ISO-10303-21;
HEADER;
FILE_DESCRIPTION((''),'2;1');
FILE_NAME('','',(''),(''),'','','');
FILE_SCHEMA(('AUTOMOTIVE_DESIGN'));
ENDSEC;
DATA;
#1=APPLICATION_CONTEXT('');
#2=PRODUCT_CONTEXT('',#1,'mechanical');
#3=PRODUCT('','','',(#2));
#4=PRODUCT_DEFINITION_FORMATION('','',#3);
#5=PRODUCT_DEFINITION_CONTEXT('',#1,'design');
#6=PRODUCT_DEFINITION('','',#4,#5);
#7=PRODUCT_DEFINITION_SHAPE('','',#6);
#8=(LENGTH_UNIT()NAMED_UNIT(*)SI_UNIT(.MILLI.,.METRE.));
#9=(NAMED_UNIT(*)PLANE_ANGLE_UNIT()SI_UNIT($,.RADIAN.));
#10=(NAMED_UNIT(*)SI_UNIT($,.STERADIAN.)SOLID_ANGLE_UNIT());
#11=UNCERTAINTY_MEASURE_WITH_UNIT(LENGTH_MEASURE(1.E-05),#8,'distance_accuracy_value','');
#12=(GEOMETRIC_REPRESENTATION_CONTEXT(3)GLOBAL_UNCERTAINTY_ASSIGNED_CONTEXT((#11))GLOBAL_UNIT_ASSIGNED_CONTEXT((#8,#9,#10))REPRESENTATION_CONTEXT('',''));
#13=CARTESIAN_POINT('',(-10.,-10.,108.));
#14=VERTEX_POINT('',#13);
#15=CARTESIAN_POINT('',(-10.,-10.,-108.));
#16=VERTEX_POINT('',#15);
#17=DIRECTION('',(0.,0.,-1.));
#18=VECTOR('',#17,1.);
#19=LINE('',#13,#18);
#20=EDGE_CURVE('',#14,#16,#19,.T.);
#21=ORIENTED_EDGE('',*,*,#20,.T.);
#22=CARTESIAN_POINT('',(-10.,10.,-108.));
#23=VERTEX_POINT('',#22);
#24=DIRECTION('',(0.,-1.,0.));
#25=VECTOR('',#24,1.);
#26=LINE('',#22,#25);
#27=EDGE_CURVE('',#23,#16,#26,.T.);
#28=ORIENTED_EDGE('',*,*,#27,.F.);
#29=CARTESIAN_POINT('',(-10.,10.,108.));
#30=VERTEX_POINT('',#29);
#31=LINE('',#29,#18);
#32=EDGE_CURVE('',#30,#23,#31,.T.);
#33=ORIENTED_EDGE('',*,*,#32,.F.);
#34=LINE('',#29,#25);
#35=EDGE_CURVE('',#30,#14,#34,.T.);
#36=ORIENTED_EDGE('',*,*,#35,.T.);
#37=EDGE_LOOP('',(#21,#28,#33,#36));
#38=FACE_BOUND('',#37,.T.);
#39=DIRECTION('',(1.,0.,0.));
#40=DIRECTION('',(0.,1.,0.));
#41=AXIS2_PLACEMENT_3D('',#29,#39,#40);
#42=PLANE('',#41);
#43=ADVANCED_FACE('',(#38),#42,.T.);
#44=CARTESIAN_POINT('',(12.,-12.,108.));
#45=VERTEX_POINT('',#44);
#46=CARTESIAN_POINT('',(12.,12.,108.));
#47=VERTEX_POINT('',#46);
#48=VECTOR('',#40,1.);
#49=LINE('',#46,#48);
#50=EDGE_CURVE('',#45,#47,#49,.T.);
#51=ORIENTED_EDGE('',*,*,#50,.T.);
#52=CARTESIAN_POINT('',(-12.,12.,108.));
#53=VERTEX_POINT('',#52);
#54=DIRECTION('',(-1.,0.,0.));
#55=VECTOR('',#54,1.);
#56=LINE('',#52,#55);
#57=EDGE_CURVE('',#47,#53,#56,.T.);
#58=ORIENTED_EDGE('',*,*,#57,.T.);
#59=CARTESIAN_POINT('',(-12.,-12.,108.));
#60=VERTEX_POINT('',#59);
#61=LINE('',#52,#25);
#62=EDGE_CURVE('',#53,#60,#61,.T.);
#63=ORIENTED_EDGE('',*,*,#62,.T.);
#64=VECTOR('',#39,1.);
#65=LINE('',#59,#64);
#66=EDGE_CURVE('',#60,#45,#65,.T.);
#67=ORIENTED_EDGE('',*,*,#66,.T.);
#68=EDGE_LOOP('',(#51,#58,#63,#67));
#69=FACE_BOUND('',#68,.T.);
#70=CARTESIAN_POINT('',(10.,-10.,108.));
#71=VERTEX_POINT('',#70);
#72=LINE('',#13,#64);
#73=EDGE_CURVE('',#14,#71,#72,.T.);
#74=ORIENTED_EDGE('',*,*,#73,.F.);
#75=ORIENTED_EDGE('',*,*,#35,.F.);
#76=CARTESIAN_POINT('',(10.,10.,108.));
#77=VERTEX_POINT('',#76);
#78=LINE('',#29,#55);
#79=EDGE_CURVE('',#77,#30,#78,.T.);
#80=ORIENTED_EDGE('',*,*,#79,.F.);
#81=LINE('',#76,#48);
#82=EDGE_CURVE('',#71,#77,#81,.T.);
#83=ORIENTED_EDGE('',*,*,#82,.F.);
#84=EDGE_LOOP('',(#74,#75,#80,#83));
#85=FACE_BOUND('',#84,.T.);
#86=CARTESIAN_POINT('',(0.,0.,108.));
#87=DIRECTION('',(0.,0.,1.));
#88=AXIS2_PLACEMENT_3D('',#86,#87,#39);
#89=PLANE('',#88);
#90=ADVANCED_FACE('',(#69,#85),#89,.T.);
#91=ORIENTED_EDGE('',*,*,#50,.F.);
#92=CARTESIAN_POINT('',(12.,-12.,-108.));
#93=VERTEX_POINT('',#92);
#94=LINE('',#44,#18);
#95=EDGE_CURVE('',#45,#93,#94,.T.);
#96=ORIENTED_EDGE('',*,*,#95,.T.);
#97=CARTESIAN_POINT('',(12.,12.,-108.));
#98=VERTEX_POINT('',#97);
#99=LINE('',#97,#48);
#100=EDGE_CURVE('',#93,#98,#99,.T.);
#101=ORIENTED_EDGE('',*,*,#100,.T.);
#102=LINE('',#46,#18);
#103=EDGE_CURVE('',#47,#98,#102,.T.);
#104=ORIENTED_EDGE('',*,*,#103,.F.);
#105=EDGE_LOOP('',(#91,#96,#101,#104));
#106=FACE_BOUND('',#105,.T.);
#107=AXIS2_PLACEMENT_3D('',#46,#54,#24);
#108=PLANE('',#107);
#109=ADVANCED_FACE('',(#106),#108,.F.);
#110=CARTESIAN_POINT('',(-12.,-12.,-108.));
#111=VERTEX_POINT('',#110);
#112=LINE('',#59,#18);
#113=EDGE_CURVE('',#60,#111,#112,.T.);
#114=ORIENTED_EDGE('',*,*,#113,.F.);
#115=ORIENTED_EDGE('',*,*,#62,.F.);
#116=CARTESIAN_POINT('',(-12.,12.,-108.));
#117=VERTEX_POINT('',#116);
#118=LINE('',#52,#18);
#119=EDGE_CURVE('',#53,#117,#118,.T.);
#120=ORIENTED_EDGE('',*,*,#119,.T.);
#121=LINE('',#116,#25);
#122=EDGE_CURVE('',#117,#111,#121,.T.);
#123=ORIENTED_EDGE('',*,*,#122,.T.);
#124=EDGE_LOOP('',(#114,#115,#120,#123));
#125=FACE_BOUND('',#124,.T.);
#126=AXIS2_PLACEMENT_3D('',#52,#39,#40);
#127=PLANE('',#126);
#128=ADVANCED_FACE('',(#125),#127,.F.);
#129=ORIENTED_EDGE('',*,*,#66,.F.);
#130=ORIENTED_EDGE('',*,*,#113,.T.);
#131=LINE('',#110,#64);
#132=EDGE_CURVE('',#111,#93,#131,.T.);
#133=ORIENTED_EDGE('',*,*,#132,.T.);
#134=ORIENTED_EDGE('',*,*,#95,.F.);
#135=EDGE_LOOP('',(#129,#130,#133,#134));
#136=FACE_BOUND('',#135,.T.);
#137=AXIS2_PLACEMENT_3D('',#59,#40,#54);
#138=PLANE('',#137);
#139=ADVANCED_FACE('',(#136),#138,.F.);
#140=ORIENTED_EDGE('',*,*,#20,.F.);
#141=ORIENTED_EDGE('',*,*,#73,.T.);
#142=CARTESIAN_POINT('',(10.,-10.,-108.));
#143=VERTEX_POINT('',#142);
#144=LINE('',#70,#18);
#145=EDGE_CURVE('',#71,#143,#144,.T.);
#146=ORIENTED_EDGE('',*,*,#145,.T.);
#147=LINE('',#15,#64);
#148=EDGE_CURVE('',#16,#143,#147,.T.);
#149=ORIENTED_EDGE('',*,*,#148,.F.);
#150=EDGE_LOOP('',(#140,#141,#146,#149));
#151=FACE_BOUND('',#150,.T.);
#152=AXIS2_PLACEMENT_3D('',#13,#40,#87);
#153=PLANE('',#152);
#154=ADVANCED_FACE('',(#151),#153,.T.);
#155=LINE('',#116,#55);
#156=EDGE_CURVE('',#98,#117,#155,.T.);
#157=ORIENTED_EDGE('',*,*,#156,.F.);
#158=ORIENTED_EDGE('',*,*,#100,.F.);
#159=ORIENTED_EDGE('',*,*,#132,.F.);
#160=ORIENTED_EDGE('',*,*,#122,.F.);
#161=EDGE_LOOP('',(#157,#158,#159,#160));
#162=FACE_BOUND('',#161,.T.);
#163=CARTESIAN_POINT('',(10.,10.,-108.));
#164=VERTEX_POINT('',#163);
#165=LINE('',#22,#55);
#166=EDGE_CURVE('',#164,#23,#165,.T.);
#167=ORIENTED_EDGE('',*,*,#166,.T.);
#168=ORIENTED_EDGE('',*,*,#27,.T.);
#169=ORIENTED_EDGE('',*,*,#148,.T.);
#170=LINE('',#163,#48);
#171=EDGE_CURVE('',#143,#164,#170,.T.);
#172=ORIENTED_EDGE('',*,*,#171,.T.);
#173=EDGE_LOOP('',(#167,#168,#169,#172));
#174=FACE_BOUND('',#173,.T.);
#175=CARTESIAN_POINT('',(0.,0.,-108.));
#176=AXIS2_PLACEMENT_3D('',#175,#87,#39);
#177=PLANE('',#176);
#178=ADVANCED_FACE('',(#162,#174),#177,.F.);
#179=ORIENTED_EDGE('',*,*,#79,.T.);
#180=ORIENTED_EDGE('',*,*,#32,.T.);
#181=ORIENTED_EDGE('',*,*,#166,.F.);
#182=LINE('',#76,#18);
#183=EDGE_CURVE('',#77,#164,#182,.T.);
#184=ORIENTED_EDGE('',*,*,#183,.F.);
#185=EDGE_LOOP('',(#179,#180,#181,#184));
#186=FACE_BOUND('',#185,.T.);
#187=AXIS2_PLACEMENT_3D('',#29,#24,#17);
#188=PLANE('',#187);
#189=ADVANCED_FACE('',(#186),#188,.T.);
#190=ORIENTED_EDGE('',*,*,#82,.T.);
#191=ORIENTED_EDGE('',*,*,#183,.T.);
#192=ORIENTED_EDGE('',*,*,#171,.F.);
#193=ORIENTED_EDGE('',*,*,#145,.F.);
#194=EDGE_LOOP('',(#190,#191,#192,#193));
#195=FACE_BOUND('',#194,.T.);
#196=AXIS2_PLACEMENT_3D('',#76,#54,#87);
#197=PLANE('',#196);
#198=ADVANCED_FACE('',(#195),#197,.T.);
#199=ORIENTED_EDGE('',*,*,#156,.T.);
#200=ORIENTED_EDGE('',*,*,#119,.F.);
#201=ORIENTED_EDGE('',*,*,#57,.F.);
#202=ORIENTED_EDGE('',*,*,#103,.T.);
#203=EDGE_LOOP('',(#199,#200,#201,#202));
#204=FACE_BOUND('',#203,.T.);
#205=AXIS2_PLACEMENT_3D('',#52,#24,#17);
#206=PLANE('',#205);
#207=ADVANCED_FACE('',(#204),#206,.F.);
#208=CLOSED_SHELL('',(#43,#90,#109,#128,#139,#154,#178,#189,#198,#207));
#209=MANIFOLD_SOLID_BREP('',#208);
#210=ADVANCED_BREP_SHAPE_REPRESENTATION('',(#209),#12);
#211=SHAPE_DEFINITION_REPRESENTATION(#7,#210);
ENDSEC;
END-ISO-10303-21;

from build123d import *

# Parameters (mm, degrees)
SKETCH_1_W      = 24
SKETCH_1_H      = 24
SKETCH_1_W_2    = 20
SKETCH_1_H_2    = 20
EXTRUDE_1_DEPTH = 108


with BuildPart() as part:
    # 草图1 → 凸台-拉伸1 (new, symmetric)
    with BuildSketch(Plane.XY):
        Rectangle(SKETCH_1_W, SKETCH_1_H)
        Rectangle(SKETCH_1_W_2, SKETCH_1_H_2, mode=Mode.SUBTRACT)
    extrude(amount=EXTRUDE_1_DEPTH, both=True)


solid = part.part
